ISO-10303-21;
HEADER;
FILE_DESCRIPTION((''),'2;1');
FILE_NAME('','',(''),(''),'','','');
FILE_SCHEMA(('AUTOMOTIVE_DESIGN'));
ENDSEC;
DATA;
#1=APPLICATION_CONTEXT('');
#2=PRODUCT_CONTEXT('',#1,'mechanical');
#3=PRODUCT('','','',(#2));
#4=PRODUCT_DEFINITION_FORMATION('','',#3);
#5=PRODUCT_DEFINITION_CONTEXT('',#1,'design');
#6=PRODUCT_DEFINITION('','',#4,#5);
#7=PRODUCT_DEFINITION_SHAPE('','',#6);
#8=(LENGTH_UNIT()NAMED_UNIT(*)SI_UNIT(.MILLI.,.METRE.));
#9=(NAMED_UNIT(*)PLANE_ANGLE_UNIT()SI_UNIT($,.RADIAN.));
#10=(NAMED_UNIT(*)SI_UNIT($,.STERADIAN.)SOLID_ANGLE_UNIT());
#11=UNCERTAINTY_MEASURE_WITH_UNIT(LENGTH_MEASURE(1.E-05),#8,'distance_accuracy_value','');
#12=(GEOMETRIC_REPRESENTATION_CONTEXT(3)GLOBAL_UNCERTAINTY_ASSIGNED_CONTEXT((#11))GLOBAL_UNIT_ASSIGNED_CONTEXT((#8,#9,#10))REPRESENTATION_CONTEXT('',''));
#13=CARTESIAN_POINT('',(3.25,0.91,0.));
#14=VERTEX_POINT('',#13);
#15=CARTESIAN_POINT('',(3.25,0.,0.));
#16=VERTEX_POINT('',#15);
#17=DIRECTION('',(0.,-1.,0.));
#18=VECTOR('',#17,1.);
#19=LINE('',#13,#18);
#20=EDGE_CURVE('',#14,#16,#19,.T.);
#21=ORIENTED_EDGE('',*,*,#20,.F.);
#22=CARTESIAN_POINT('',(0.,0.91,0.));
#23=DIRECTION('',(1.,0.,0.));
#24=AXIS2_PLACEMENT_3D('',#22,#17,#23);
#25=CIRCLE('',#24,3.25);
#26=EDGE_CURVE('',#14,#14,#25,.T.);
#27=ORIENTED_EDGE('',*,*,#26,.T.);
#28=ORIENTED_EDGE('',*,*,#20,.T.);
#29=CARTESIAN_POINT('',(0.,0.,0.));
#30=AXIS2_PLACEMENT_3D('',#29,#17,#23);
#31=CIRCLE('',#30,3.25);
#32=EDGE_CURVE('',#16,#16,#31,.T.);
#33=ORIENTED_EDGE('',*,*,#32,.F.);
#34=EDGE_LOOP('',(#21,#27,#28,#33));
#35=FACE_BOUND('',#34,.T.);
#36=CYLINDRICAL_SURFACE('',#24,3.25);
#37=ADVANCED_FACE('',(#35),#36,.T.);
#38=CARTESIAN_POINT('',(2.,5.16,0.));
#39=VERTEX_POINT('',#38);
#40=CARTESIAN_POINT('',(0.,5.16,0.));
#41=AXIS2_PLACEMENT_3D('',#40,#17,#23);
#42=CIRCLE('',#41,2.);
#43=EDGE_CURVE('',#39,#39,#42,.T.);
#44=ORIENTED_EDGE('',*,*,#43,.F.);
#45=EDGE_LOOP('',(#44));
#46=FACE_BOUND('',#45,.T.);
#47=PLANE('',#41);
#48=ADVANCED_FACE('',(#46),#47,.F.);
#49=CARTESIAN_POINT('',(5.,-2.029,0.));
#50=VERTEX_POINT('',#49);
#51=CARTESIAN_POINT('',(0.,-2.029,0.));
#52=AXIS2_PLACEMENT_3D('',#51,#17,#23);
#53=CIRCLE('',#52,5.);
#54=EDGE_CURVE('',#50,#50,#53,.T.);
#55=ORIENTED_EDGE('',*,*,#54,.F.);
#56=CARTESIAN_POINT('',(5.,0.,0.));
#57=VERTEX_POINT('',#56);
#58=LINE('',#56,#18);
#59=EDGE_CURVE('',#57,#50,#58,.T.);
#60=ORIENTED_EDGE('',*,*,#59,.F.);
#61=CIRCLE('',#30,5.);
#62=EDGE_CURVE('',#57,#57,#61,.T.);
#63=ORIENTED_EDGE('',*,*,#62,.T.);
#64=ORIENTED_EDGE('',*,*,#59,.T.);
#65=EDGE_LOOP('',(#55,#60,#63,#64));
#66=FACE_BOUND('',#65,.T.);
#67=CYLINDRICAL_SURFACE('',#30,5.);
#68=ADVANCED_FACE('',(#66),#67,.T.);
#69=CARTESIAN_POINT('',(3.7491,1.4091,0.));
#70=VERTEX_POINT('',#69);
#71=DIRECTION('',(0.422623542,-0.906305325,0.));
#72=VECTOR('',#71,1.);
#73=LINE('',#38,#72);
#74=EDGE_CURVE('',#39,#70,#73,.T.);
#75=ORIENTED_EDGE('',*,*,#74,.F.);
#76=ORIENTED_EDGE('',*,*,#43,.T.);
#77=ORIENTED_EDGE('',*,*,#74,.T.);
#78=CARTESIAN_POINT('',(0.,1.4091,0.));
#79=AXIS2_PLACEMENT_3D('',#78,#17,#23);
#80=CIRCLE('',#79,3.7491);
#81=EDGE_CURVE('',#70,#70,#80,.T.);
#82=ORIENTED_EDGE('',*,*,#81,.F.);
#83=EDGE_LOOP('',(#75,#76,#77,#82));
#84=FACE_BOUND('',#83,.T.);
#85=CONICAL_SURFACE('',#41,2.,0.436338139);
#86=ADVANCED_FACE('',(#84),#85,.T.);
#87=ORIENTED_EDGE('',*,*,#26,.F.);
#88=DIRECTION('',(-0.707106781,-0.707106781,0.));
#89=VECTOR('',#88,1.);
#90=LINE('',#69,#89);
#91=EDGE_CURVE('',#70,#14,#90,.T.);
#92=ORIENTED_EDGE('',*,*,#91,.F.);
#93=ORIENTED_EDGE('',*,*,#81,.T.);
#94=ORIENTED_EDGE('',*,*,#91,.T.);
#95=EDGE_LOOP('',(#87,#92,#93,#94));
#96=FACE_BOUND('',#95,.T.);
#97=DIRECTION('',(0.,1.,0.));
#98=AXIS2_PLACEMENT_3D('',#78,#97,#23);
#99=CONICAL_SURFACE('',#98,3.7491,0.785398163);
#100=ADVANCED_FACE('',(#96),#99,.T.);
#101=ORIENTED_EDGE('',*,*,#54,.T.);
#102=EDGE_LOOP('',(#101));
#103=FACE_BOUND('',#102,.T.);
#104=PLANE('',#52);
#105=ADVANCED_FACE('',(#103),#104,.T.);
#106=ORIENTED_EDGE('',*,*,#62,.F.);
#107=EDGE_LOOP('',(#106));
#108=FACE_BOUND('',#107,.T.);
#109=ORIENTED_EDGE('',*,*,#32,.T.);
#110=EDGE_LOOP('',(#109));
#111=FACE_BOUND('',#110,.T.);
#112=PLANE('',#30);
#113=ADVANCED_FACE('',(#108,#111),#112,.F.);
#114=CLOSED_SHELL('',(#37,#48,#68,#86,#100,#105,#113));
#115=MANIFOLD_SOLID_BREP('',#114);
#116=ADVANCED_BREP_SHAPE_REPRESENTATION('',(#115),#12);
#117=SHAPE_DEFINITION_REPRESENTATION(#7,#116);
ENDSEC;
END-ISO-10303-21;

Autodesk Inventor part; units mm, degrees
sketch "Sketch_1" plane through (0, 0, 0) normal (0, 0, 1) x (1, 0, 0)
  line L0 (0, -2.029) -> (0, 5.16)
  line L1 (0, 5.16) -> (2, 5.16)
  line L2 (2, 5.16) -> (3.7491, 1.4091)
  line L3 (3.7491, 1.4091) -> (3.25, 0.91)
  line L4 (3.25, 0.91) -> (3.25, 0)
  line L5 (3.25, 0) -> (5, 0)
  line L6 (5, 0) -> (5, -2.029)
  line L7 (5, -2.029) -> (0, -2.029)
  line L8 (0, -2.029) -> (0, 5.16)
revolve "Revolution1" add sketch "Sketch_1" angle 360 about axis through (0, -2.029, 0) along (0, -1, 0)
ref_plane "Hinge_Plug_XY" through (0, 0, 0) normal (0, 1, 0) x (1, 0, 0)
ref_plane "Hinge_Plug_YZ" through (0, 0, 0) normal (1, 0, 0) x (0, 0, -1)
ref_plane "Hinge_Plug_ZX" through (0, 0, 0) normal (0, 0, -1) x (0, 1, 0)
properties part number "0000-00186369(1)"
